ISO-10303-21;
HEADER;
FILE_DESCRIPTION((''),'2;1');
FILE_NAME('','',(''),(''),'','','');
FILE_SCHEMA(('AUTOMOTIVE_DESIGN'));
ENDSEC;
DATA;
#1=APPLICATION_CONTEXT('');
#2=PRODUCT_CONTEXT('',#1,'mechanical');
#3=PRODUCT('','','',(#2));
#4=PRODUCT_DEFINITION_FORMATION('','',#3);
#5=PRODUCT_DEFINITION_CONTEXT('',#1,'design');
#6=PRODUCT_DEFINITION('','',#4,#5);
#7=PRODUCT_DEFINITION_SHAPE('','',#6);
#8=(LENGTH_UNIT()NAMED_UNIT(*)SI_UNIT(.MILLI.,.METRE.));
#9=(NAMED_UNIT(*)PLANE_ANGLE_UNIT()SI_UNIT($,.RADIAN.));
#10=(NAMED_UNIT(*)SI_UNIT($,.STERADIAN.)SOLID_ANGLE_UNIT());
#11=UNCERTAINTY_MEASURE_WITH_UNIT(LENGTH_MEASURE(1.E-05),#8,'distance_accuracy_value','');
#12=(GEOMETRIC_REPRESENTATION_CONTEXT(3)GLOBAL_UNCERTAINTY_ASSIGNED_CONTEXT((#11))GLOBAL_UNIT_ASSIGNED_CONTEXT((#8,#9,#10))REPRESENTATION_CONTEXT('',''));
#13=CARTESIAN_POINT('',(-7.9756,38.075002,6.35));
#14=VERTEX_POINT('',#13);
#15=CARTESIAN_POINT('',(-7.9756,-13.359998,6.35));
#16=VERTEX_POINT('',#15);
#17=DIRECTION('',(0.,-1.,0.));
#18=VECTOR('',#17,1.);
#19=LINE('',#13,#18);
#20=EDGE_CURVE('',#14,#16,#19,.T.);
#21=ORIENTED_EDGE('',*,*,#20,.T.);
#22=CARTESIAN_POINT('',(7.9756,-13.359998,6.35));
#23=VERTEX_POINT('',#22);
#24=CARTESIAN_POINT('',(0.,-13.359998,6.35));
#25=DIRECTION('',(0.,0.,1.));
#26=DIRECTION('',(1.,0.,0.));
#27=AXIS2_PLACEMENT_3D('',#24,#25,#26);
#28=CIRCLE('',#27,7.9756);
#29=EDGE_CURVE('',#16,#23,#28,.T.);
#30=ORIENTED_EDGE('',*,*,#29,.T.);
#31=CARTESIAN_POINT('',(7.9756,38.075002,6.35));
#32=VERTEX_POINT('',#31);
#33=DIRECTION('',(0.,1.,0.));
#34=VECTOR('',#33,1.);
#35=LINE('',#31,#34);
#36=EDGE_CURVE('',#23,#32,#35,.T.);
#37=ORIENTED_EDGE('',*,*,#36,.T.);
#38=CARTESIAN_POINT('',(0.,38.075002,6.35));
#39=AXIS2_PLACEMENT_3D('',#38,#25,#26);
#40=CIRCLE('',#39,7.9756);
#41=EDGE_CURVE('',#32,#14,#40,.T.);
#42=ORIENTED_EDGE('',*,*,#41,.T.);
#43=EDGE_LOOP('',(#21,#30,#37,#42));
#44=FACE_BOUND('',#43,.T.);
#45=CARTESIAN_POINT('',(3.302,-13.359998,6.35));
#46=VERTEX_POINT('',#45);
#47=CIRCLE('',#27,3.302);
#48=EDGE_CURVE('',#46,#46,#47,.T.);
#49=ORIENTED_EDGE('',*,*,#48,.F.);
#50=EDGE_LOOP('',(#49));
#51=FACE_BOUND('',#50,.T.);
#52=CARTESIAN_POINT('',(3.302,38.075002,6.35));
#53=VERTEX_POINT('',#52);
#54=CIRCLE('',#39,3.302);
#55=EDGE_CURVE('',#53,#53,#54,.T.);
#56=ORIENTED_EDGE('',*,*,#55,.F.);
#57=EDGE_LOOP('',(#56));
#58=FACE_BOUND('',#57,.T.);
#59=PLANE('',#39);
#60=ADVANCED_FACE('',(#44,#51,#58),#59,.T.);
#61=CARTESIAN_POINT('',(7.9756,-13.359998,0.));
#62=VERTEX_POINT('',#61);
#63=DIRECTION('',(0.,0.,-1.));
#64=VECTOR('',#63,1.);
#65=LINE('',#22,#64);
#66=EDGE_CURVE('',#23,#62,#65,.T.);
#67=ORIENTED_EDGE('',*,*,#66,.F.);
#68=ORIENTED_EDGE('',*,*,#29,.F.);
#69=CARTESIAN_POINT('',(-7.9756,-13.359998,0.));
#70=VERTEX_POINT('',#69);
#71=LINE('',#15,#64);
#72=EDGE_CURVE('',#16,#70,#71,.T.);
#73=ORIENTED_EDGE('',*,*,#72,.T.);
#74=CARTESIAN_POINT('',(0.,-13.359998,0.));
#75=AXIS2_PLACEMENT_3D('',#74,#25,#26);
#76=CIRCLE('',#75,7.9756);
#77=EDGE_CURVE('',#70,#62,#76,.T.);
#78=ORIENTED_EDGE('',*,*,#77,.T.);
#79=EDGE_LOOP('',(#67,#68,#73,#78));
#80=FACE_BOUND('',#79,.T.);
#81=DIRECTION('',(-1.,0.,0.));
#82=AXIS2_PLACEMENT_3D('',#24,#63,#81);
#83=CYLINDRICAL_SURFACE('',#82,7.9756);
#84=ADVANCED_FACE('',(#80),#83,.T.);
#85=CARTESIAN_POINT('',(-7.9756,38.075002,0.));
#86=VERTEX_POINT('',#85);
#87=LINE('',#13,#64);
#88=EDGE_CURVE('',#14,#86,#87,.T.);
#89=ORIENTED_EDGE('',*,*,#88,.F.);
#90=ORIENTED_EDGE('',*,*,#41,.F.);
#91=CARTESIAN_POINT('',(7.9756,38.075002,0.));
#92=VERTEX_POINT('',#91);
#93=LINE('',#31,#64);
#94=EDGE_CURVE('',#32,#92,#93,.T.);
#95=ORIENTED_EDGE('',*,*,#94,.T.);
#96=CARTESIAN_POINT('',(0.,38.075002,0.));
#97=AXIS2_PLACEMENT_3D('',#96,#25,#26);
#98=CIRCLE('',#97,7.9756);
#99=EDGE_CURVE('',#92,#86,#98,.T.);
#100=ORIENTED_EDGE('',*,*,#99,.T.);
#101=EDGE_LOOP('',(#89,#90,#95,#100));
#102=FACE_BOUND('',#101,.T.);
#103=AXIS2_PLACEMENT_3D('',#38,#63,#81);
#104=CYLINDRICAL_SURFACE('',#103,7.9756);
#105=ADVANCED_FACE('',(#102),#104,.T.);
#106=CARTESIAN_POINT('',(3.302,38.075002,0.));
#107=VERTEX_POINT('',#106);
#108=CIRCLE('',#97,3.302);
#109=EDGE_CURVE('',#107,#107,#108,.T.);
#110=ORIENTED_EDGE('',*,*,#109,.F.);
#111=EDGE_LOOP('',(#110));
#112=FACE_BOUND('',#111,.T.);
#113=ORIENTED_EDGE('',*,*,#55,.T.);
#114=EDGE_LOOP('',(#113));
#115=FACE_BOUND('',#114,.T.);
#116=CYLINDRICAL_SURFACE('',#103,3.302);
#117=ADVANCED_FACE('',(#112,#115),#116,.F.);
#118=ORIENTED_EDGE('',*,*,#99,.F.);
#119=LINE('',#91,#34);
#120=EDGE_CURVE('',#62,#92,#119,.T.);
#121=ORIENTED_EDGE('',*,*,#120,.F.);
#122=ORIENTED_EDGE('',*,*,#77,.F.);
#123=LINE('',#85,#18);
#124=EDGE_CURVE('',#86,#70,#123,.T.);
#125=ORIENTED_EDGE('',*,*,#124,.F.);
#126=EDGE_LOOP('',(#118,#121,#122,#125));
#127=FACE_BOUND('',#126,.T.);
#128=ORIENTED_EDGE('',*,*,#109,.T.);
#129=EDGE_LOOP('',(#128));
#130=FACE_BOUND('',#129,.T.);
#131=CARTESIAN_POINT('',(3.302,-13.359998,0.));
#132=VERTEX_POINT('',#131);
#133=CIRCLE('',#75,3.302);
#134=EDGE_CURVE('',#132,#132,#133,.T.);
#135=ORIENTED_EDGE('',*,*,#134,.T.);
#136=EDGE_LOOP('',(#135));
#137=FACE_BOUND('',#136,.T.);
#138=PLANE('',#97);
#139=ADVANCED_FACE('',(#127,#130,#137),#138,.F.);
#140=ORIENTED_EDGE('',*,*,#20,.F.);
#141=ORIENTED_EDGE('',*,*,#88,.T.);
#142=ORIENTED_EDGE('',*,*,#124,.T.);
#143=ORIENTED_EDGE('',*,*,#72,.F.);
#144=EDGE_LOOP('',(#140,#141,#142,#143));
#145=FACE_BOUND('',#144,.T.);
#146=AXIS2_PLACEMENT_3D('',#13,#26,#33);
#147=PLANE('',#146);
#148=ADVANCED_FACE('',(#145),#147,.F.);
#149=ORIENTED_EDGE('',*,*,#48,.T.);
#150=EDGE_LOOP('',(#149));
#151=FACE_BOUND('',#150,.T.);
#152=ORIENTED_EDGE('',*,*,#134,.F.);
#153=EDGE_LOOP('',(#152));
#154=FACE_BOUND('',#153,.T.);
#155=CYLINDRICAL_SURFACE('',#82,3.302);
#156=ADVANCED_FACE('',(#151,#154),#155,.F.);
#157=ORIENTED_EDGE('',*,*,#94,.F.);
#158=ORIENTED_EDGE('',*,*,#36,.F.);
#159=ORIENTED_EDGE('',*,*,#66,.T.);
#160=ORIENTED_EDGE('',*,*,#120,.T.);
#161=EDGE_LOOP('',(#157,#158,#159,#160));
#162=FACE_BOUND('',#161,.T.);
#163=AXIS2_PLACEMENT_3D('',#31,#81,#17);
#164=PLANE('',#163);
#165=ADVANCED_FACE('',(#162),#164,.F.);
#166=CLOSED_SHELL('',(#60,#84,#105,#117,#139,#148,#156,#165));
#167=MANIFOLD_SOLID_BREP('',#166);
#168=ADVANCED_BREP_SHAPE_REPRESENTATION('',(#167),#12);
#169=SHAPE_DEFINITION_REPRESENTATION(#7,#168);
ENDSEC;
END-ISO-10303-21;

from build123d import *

# Parameters (mm, degrees)
SKETCH1_R           = 3.302
BOSS_EXTRUDE1_DEPTH = 6.35


with BuildPart() as part:
    # Sketch1 → Boss-Extrude1 (new body)
    with BuildSketch(Plane.XY):
        with BuildLine():
            Line((7.9756, 38.075002032), (7.9756, -13.359997968))
            ThreePointArc((7.9756, -13.359997968), (0, -21.335597968), (-7.9756, -13.359997968))
            Line((-7.9756, -13.359997968), (-7.9756, 38.075002032))
            ThreePointArc((-7.9756, 38.075002032), (0, 46.050602032), (7.9756, 38.075002032))
        make_face()
        with Locations((0, 38.075002032)):
            Circle(SKETCH1_R, mode=Mode.SUBTRACT)
        with Locations((0, -13.359997968)):
            Circle(SKETCH1_R, mode=Mode.SUBTRACT)
    extrude(amount=BOSS_EXTRUDE1_DEPTH)


solid = part.part
